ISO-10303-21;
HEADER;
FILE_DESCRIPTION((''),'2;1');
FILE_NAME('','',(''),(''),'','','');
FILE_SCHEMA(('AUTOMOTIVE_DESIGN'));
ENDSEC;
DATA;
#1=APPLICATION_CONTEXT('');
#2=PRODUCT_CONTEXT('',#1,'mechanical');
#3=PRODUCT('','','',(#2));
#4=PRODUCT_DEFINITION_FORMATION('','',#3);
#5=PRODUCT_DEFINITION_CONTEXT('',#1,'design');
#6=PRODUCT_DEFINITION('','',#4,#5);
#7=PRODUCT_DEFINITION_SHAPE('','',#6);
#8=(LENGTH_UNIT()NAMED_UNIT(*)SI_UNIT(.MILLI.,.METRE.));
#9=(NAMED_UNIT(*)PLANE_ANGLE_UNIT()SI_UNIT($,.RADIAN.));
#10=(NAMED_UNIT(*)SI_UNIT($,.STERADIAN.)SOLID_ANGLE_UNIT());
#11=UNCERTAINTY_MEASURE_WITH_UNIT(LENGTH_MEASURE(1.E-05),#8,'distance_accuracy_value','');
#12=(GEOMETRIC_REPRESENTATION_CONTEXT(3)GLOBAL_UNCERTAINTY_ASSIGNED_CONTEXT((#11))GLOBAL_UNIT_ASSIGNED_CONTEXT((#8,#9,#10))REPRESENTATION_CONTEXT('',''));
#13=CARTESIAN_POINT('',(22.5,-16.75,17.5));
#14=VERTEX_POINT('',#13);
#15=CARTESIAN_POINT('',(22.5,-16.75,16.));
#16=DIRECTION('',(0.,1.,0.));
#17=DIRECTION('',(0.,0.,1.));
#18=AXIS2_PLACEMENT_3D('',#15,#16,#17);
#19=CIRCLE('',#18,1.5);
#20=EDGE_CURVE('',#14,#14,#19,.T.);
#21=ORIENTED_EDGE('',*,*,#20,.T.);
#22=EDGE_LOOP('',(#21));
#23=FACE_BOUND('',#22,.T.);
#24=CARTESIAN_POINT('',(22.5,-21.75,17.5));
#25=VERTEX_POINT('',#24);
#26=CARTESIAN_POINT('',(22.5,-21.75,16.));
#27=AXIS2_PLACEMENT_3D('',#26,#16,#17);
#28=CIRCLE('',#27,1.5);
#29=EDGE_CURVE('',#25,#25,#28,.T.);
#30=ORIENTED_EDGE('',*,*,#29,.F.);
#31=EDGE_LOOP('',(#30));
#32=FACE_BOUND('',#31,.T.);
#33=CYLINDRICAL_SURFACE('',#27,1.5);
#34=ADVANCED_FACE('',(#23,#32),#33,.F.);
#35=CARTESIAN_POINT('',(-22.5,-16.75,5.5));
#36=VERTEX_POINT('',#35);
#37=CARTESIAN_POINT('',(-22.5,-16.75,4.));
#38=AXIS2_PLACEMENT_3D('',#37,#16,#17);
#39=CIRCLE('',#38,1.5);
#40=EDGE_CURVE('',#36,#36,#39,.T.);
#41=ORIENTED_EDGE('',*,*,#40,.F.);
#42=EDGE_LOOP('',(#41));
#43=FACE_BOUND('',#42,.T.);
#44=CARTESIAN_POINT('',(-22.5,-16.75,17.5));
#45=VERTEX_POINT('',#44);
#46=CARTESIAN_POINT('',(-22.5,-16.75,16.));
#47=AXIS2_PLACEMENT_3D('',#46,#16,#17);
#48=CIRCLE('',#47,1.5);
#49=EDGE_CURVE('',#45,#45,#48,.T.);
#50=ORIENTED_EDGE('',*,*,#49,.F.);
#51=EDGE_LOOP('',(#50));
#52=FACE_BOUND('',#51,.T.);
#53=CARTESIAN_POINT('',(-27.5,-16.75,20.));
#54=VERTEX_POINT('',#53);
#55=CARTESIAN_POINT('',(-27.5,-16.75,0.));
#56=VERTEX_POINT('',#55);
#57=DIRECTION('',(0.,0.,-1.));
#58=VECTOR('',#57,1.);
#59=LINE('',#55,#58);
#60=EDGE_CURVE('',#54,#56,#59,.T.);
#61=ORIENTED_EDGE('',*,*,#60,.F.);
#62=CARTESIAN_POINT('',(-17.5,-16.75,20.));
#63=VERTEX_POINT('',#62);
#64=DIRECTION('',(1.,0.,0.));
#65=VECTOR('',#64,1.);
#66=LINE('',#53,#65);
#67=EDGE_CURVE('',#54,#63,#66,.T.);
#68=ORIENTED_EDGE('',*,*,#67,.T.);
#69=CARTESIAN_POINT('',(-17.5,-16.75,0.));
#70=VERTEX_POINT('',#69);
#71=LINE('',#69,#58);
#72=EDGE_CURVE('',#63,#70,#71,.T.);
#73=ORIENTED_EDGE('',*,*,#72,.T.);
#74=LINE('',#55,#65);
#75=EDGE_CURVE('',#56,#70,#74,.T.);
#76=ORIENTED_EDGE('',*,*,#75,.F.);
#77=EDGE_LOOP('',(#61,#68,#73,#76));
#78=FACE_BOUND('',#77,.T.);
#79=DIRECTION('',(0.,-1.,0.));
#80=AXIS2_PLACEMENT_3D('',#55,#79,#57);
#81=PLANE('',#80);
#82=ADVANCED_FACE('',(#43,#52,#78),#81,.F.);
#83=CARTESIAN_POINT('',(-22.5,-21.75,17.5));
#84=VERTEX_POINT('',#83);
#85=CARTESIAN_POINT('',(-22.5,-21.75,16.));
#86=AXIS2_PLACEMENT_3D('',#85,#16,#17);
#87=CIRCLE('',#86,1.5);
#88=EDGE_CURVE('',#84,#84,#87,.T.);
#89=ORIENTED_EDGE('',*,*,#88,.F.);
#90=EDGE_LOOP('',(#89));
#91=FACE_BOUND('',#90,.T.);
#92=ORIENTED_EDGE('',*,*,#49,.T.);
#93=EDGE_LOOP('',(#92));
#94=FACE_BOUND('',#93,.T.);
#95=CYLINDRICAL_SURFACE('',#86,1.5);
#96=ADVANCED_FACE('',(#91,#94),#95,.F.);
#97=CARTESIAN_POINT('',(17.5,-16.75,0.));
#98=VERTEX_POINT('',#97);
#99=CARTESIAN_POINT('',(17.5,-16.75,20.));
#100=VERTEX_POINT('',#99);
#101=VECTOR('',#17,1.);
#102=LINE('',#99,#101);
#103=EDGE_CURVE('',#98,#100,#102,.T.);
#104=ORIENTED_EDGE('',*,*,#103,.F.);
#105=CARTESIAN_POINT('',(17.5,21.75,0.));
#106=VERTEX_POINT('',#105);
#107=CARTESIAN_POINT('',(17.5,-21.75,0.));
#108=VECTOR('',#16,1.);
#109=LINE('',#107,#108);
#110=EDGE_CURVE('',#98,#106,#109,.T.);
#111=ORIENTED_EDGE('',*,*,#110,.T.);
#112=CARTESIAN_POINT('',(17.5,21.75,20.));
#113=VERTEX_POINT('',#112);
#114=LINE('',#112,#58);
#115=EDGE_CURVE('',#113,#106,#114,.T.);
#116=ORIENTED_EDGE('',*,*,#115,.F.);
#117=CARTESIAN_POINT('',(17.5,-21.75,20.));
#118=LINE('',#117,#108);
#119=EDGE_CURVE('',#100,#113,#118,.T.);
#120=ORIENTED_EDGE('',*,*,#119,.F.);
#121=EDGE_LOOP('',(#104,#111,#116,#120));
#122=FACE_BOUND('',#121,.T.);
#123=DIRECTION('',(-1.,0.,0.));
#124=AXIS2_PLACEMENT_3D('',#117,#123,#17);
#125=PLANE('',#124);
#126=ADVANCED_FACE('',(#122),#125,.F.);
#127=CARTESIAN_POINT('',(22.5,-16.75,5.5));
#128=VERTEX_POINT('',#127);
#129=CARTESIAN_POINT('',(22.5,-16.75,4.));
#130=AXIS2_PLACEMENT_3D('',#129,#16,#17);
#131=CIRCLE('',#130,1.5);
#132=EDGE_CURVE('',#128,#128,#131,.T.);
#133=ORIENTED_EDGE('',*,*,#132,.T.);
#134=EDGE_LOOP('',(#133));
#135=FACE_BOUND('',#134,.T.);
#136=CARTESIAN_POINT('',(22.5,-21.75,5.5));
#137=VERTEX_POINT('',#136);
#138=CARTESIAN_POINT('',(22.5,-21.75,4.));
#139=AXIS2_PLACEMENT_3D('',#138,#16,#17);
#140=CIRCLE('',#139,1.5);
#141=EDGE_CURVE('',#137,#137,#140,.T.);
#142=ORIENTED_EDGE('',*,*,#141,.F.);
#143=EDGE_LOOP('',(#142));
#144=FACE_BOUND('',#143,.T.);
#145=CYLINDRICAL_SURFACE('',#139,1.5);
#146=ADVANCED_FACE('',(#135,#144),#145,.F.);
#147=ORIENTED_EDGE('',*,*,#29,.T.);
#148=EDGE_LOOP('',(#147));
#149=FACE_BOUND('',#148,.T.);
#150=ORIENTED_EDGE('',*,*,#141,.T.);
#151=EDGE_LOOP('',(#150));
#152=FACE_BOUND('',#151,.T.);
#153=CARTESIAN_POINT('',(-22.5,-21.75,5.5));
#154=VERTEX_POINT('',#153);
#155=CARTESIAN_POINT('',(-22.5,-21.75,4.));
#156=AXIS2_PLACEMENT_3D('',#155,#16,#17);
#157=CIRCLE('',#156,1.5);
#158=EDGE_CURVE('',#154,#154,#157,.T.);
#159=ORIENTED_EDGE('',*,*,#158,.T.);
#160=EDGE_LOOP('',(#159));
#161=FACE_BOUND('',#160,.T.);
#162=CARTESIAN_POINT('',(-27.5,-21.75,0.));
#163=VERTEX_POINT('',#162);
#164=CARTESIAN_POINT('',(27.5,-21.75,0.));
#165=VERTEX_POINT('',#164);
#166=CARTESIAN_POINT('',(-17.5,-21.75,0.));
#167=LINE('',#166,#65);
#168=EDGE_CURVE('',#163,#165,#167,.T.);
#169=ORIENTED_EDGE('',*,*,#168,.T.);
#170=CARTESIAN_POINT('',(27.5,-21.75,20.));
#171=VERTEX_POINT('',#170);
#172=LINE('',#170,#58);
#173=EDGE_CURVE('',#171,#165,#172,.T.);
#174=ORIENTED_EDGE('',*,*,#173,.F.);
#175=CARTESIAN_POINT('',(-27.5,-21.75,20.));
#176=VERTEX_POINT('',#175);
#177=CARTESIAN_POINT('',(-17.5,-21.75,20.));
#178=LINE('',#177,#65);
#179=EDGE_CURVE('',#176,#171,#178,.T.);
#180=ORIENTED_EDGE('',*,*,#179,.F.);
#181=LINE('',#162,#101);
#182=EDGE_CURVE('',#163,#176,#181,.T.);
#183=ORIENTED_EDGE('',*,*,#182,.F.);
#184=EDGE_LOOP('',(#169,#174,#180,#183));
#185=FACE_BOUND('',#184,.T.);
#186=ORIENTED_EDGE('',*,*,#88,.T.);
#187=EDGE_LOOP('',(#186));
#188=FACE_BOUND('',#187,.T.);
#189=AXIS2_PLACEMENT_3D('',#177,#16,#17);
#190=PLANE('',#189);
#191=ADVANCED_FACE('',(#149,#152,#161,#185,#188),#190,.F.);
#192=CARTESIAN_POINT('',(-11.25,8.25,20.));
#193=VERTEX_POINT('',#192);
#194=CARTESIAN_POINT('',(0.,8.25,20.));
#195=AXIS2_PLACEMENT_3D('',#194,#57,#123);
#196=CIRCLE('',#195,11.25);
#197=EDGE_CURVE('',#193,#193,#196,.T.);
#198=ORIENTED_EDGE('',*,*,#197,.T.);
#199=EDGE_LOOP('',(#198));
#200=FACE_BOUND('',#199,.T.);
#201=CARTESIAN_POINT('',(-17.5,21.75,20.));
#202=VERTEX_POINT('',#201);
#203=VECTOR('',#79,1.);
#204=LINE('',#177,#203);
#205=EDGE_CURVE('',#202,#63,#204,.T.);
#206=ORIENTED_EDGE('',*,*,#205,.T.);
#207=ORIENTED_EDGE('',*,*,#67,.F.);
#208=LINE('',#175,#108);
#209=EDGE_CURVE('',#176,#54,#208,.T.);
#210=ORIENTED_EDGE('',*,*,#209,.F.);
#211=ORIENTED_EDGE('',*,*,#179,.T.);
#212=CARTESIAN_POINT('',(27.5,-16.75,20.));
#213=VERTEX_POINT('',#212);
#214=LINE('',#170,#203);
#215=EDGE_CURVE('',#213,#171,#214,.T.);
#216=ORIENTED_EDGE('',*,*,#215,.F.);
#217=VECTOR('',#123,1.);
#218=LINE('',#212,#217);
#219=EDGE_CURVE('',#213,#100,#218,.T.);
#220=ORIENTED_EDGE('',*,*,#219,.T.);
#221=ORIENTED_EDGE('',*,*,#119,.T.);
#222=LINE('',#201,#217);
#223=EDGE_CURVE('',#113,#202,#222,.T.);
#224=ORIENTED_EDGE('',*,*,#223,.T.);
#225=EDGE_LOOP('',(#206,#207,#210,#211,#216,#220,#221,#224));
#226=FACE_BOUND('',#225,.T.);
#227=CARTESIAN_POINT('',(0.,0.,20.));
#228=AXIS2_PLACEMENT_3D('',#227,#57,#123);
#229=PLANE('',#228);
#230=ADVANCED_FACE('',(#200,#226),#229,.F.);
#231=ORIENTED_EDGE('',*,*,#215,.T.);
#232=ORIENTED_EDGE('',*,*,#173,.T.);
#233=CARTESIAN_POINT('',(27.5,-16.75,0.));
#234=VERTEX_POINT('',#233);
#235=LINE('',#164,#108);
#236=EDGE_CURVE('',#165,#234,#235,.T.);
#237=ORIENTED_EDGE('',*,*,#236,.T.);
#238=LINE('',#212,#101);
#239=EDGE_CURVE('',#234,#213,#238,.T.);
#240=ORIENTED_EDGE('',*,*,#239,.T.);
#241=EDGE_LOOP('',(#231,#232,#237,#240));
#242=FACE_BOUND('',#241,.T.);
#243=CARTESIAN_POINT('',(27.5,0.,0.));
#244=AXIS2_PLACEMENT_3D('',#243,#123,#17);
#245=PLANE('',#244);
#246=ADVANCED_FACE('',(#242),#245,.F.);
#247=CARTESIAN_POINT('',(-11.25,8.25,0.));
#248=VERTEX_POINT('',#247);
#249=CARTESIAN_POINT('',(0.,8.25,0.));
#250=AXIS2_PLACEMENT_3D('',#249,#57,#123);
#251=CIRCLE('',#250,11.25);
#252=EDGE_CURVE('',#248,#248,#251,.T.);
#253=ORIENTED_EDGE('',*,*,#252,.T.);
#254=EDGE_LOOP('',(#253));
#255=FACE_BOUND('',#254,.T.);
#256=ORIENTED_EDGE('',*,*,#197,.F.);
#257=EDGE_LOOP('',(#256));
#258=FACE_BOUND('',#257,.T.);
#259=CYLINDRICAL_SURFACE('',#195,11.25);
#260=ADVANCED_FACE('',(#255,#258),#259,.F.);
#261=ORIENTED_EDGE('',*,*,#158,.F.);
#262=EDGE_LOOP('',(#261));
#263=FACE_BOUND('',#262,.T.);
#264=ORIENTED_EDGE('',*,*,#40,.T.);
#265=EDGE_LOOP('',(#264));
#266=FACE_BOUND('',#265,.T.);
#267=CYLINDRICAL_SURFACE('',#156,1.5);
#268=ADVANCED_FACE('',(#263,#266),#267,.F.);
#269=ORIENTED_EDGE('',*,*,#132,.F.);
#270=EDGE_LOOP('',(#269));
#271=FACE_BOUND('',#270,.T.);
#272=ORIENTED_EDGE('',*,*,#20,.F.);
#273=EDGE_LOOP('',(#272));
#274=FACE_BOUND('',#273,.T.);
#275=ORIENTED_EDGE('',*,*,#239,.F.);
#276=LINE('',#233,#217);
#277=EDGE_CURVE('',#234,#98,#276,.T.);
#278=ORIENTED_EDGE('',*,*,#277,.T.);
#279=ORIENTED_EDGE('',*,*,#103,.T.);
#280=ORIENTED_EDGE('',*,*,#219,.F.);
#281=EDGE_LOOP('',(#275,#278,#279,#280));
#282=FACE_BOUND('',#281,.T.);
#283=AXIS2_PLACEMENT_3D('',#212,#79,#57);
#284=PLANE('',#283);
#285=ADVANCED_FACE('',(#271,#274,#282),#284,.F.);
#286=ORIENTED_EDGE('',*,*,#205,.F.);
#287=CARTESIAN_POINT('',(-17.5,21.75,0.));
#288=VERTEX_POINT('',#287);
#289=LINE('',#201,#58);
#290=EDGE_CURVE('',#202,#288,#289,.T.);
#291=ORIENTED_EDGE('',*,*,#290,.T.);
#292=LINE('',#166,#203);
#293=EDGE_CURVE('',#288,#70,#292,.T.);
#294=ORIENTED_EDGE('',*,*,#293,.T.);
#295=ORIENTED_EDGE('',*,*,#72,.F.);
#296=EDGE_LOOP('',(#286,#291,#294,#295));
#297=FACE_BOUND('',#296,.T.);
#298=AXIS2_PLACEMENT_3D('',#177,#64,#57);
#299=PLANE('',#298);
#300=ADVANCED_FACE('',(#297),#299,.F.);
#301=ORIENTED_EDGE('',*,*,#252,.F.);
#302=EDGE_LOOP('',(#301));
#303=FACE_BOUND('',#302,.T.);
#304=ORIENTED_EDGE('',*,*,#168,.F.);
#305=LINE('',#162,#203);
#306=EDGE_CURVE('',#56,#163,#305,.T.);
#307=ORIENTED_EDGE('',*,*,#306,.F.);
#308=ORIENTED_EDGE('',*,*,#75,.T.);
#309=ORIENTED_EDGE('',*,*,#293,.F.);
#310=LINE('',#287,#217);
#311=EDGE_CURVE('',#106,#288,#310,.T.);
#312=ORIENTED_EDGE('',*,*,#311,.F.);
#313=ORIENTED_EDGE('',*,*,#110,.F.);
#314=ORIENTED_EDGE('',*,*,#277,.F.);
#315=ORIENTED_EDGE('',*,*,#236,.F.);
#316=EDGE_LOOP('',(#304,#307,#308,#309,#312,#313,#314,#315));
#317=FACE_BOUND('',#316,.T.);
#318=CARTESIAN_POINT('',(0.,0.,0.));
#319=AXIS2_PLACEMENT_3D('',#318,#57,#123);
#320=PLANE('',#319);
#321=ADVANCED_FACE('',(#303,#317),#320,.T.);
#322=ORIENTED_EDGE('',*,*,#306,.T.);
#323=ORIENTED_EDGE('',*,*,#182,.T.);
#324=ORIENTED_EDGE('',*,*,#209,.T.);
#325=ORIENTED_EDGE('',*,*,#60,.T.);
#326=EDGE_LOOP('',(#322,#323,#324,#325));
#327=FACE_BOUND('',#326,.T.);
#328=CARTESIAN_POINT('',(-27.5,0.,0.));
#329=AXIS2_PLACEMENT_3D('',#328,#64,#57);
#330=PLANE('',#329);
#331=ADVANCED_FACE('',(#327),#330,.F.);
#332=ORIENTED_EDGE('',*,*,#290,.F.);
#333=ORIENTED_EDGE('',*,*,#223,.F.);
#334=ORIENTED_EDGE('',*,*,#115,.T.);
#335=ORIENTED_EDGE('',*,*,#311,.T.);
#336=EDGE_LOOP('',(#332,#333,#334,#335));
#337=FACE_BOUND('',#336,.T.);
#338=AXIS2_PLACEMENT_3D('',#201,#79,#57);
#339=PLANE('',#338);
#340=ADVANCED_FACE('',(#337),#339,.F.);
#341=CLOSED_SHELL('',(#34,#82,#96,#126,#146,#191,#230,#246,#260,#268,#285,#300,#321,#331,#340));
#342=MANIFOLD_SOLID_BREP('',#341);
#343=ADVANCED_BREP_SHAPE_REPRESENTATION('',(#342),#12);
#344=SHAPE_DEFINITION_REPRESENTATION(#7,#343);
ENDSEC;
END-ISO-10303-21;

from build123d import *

# Parameters (mm, degrees)
SKETCH_1_W          = 35
SKETCH_1_H          = 43.5
EXTRUDE_1_DEPTH     = 20
SKETCH_2_W          = 20
SKETCH_2_H          = 5
EXTRUDE_2_DEPTH     = 10
SKETCH_3_W          = 20
SKETCH_3_H          = 5
EXTRUDE_3_DEPTH     = 10
SKETCH_4_R          = 1.5
CUT_EXTRUDE_2_DEPTH = 5
SKETCH_5_R          = 11.25
CUT_EXTRUDE_4_DEPTH = 20


with BuildPart() as part:
    # Эскиз1 → Бобышка-Вытянуть1 (new body)
    with BuildSketch(Plane.XY):
        Rectangle(SKETCH_1_W, SKETCH_1_H)
    extrude(amount=EXTRUDE_1_DEPTH)

    # Эскиз2 → Бобышка-Вытянуть2 (add)
    with BuildSketch(Plane(origin=(17.5, 0, 0), x_dir=(0, 0, -1), z_dir=(1, 0, 0))):
        with Locations((-10, -19.25)):
            Rectangle(SKETCH_2_W, SKETCH_2_H)
    extrude(amount=EXTRUDE_2_DEPTH)

    # Эскиз3 → Бобышка-Вытянуть3 (add)
    with BuildSketch(Plane.ZY.offset(17.5)):
        with Locations((10, -19.25)):
            Rectangle(SKETCH_3_W, SKETCH_3_H)
    extrude(amount=EXTRUDE_3_DEPTH)

    # Эскиз4 → Вырез-Вытянуть2 (cut)
    with BuildSketch(Plane(origin=(0, -16.75, 0), x_dir=(1, 0, 0), z_dir=(0, 1, 0))):
        with Locations((-22.5, -16)):
            Circle(SKETCH_4_R)
        with Locations((-22.5, -4)):
            Circle(SKETCH_4_R)
        with Locations((22.5, -16)):
            Circle(SKETCH_4_R)
        with Locations((22.5, -4)):
            Circle(SKETCH_4_R)
    extrude(amount=-CUT_EXTRUDE_2_DEPTH, mode=Mode.SUBTRACT)

    # Эскиз5 → Вырез-Вытянуть4 (cut)
    with BuildSketch(Plane(origin=(0, 0, 0), x_dir=(-1, 0, 0), z_dir=(0, 0, -1))):
        with Locations((0, 8.25)):
            Circle(SKETCH_5_R)
    extrude(amount=-CUT_EXTRUDE_4_DEPTH, mode=Mode.SUBTRACT)


solid = part.part
